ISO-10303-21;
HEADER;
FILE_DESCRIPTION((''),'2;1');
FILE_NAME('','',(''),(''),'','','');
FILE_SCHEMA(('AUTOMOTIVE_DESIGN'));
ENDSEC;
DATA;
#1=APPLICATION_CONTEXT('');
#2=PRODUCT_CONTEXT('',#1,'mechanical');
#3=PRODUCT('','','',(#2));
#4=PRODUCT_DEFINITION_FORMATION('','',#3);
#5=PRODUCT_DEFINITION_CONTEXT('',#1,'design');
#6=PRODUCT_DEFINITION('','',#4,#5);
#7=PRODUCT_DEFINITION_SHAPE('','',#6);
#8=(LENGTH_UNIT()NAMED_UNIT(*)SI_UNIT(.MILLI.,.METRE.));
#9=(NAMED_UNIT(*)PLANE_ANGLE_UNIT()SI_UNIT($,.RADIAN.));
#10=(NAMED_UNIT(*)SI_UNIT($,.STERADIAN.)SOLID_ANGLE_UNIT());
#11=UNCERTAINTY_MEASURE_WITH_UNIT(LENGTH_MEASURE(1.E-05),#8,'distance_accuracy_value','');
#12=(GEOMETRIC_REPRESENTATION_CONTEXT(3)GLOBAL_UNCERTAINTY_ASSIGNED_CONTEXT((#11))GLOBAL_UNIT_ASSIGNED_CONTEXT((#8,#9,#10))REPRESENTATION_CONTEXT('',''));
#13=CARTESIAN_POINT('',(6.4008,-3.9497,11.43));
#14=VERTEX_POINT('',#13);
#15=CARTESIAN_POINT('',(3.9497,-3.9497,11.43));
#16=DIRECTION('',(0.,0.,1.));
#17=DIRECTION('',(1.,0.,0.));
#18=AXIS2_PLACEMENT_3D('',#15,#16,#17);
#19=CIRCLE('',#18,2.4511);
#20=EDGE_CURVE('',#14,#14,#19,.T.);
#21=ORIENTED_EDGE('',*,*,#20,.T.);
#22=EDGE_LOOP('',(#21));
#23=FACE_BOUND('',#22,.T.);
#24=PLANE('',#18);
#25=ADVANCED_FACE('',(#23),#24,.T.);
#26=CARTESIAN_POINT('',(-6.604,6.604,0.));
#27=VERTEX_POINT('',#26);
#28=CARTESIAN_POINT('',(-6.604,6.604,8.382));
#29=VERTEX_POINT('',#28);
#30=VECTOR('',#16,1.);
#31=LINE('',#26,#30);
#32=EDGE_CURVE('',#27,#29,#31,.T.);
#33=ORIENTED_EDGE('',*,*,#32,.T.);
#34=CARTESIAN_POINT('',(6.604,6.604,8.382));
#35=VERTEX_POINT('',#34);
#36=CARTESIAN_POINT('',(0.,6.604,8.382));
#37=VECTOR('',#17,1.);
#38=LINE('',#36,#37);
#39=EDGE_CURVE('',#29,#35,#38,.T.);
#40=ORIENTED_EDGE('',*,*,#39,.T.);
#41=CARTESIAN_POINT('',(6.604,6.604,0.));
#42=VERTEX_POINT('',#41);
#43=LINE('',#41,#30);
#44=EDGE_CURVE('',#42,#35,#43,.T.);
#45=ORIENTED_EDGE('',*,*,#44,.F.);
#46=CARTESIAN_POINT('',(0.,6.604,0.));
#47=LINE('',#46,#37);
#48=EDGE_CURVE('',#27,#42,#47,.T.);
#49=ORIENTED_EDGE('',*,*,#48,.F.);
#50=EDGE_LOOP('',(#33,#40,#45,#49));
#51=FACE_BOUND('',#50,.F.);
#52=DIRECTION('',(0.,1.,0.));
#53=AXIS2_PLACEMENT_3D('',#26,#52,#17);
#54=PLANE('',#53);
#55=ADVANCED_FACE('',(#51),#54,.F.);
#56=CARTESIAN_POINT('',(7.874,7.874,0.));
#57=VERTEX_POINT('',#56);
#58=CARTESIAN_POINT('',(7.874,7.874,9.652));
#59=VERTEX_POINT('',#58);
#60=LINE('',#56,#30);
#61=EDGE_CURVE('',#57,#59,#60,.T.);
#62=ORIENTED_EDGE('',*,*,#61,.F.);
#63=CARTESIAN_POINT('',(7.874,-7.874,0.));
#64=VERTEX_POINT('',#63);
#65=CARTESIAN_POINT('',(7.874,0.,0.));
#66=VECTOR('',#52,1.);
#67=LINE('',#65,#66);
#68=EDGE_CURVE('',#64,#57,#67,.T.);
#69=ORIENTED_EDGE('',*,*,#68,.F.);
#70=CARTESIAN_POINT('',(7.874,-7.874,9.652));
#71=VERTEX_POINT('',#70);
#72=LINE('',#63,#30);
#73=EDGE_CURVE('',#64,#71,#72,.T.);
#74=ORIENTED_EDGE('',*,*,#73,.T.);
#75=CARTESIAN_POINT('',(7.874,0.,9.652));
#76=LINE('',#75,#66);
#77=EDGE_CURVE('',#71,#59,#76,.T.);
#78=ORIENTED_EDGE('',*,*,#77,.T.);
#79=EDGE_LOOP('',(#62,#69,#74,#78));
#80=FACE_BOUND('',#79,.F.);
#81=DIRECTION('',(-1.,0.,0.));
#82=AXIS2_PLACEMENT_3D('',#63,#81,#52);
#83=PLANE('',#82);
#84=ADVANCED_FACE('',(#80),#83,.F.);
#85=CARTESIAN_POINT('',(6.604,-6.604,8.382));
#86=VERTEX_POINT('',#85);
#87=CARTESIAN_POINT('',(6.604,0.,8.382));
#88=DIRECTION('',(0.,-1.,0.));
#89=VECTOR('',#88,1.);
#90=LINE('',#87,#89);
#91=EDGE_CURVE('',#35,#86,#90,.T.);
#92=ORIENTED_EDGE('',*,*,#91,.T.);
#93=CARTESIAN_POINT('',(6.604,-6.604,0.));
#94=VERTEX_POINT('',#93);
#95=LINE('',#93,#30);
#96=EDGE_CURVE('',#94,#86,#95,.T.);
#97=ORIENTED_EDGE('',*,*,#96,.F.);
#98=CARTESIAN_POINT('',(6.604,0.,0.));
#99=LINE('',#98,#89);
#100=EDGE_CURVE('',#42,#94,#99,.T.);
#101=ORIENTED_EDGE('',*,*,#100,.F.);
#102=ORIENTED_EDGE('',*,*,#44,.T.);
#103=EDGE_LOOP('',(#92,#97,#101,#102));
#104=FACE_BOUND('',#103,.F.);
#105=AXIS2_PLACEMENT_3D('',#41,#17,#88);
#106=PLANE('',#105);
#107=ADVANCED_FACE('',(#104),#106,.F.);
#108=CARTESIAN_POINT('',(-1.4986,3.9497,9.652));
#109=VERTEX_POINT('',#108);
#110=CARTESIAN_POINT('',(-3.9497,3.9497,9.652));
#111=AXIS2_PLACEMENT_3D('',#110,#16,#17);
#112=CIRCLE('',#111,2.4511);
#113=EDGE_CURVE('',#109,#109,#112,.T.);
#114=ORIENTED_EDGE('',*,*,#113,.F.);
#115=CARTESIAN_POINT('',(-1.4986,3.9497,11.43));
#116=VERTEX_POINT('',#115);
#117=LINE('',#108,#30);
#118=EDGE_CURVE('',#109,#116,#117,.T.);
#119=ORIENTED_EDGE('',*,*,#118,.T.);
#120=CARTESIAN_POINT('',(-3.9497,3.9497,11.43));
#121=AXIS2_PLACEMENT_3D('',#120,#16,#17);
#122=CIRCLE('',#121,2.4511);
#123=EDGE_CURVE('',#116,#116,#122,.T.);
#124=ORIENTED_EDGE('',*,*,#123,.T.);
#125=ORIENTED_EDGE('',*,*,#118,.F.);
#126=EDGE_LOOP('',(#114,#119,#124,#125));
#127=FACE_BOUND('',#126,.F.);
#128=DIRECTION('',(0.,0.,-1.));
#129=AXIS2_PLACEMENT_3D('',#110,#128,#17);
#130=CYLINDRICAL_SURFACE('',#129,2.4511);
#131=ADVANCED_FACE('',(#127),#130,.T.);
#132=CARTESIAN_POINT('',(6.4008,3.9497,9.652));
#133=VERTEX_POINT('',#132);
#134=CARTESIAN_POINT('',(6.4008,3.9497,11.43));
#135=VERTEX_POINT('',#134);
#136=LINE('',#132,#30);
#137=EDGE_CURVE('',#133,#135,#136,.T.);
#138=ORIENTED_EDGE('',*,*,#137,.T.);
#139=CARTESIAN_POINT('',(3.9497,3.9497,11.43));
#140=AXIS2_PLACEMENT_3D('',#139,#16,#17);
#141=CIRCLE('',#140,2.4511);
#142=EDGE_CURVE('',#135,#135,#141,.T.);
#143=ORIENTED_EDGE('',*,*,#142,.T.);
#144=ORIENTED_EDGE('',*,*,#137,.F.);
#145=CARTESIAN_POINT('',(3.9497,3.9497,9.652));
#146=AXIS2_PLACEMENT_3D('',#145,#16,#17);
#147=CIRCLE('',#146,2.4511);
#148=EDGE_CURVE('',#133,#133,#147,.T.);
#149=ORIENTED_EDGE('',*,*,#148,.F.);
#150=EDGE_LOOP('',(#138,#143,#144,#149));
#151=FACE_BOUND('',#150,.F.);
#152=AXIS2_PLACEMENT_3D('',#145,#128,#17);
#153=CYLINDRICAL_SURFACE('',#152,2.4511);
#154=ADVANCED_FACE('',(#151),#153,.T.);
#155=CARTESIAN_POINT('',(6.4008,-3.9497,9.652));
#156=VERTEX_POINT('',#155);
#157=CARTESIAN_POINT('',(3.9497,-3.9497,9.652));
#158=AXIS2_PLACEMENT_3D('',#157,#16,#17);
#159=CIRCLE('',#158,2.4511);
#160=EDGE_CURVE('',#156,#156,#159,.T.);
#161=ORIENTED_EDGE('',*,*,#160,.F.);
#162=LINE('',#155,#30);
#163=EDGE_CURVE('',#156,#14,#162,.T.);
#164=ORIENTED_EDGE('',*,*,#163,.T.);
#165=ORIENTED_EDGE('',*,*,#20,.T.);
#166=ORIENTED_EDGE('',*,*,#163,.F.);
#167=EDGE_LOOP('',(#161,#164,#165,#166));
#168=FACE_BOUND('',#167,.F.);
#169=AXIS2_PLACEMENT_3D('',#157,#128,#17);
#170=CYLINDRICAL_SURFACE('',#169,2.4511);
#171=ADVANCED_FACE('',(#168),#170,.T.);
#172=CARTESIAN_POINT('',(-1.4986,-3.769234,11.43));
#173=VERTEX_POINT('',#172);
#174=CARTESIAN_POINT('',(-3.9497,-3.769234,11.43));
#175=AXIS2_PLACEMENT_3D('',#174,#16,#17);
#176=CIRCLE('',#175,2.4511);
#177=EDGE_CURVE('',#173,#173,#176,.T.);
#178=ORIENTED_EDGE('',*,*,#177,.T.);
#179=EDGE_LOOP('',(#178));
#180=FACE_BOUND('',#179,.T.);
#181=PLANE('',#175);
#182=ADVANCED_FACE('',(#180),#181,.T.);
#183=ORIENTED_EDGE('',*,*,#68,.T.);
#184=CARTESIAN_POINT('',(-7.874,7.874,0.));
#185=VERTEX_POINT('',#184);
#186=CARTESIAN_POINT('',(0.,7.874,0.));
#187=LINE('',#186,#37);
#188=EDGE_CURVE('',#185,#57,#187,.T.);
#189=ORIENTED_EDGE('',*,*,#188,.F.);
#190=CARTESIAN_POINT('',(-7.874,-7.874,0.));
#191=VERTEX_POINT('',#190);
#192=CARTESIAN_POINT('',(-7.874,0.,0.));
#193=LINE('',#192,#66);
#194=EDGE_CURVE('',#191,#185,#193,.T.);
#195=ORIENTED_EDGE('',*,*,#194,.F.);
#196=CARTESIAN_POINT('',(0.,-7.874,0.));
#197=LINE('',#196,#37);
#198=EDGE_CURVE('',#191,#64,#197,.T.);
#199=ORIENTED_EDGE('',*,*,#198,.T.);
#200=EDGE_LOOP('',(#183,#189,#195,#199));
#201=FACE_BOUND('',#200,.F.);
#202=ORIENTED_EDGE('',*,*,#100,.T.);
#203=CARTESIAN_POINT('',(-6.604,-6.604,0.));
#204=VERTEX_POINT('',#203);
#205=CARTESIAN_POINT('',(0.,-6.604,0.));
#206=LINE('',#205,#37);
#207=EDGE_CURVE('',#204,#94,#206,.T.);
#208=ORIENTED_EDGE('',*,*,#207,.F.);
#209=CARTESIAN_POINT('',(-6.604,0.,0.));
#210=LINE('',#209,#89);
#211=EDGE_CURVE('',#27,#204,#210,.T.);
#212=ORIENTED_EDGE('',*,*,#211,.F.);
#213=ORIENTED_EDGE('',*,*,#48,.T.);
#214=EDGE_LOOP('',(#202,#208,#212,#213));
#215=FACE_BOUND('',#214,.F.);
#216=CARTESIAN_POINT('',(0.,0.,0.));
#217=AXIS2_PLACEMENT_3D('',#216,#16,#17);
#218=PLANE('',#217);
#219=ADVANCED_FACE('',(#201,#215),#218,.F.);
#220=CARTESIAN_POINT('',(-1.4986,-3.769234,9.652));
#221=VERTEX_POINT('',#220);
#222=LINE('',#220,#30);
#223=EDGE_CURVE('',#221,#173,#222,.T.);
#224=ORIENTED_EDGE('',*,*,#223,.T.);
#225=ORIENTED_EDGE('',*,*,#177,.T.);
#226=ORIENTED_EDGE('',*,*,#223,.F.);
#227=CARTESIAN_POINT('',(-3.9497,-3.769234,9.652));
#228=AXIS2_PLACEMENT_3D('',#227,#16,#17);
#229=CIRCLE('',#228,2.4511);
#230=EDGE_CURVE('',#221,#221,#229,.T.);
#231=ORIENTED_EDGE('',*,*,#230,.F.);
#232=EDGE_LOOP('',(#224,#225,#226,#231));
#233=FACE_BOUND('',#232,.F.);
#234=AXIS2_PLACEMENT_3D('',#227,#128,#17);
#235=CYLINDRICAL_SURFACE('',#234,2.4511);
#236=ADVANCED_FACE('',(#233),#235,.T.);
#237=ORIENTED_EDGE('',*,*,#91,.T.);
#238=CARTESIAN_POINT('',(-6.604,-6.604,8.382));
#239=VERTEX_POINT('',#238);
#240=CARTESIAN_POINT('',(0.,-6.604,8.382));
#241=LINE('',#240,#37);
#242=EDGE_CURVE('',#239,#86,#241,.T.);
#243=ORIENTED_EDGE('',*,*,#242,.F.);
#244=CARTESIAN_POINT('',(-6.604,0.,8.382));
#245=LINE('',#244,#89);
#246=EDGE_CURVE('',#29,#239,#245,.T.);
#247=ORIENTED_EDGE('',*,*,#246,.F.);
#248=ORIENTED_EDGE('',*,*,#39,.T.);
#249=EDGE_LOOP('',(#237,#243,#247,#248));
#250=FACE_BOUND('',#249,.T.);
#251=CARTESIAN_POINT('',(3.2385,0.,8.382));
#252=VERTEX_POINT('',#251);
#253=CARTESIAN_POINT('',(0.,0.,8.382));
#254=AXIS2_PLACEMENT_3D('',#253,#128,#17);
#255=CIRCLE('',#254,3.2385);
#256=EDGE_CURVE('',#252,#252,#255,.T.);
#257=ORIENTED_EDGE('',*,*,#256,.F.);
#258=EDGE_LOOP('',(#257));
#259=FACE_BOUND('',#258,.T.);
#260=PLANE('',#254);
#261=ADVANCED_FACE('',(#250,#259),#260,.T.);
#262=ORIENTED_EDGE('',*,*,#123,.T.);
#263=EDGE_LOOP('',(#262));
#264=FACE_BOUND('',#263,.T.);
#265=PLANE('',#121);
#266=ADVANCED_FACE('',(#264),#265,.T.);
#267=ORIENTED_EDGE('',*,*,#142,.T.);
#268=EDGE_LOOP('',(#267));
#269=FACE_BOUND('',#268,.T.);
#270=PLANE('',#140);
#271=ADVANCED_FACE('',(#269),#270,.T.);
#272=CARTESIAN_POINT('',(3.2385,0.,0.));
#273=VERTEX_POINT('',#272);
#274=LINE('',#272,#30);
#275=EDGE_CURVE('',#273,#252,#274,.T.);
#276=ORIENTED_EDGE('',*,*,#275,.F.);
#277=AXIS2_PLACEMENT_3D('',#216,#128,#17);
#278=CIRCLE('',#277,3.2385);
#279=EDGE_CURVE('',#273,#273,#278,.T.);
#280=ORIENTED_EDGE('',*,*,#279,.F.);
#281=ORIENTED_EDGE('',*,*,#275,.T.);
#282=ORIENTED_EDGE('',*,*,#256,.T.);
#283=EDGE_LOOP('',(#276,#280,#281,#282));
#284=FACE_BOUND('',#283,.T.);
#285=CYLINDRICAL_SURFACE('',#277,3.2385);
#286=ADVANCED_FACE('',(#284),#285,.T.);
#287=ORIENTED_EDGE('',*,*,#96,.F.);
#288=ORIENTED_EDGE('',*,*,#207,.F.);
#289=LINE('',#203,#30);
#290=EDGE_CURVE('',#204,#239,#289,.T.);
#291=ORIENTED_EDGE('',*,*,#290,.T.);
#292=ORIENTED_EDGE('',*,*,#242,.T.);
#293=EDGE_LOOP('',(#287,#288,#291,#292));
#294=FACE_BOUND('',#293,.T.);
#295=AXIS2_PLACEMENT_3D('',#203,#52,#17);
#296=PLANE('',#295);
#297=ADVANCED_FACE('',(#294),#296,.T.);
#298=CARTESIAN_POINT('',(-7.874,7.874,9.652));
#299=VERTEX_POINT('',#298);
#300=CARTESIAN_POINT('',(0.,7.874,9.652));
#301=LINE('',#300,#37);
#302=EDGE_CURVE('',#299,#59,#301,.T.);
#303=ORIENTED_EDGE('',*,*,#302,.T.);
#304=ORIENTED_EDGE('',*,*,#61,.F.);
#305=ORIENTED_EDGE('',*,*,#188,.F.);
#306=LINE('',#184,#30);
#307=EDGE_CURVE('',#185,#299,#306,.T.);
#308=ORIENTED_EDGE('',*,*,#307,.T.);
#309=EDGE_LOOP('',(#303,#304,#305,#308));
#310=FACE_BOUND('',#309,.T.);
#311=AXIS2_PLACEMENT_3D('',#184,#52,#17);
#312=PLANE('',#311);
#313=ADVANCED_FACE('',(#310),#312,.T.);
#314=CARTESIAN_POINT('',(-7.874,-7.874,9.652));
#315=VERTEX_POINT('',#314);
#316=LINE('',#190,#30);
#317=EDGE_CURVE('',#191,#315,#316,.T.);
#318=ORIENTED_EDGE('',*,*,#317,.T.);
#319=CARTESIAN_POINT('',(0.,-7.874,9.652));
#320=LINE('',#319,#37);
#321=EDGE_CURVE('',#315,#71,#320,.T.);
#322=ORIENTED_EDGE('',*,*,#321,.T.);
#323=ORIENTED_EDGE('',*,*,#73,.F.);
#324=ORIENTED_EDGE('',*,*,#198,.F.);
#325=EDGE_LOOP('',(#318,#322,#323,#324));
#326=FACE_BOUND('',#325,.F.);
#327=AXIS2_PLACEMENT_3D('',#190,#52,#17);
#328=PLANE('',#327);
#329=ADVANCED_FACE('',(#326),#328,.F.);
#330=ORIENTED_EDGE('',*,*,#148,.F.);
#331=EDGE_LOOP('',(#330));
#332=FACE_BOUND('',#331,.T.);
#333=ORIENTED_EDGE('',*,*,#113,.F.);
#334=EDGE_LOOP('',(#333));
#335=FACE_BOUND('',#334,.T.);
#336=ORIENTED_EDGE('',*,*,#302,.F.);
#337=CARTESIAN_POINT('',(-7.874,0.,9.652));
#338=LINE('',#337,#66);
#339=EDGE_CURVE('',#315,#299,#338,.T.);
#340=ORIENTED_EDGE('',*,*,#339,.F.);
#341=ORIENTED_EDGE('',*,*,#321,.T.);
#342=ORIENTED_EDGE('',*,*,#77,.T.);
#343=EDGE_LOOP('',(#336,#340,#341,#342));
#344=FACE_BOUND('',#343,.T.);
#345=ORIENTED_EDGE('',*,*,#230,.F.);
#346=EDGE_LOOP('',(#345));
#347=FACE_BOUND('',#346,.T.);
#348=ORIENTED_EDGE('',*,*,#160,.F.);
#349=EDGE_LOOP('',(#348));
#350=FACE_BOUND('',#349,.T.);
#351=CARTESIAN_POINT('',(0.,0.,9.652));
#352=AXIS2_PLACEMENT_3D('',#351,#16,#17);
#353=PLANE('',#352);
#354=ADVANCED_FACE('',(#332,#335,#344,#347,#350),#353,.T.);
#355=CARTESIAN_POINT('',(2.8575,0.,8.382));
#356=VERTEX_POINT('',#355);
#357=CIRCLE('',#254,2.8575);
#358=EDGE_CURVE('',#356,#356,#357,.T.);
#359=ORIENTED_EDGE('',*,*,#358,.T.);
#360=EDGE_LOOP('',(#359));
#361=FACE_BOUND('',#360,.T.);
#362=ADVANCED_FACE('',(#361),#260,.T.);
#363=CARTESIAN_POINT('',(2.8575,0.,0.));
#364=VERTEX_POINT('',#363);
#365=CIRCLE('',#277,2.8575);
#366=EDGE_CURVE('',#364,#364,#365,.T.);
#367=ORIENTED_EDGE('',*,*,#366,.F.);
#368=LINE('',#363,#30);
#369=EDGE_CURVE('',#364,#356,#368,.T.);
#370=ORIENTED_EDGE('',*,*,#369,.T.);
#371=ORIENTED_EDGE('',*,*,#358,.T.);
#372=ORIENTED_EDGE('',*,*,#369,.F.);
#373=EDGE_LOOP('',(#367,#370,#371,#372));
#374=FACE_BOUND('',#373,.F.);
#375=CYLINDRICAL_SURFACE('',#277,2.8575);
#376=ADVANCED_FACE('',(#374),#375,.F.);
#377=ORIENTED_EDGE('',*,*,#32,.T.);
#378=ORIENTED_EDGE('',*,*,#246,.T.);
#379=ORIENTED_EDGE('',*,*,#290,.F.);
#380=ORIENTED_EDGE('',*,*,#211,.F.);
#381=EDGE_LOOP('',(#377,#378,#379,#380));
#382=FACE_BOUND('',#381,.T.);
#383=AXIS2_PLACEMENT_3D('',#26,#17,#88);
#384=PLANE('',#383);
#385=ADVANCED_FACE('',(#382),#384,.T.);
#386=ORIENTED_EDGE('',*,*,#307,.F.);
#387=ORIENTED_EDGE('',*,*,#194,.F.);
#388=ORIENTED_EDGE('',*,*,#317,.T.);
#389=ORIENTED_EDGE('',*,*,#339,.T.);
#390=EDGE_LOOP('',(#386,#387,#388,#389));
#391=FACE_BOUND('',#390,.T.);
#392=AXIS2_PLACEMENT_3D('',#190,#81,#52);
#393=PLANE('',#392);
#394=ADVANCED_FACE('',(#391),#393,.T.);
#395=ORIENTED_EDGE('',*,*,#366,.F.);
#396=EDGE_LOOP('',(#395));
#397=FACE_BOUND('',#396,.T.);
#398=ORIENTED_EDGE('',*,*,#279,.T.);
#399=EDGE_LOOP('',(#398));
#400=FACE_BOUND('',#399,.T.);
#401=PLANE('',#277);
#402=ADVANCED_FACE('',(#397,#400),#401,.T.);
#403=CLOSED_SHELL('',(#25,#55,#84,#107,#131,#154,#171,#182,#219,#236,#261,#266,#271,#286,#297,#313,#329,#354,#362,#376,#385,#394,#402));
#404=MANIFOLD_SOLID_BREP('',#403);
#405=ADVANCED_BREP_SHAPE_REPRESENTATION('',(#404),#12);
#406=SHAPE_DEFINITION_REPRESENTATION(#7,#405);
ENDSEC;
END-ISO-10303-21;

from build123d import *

# Parameters (mm, degrees)
F0_W     = 15.748
F0_H     = 15.748
F1_DEPTH = 9.652
F2_R     = 2.4511
F3_DEPTH = 1.778
F4_W     = 13.208
F4_H     = 13.208
F6_DEPTH = 8.382
F5_R     = 3.2385
F5_R_2   = 2.8575
F7_DEPTH = 8.382


with BuildPart() as f1:
    # F0 (on Top) → F1 (new body)
    with BuildSketch(Plane.XY):
        Rectangle(F0_W, F0_H)
    extrude(amount=F1_DEPTH)

    # F2 (on face) → F3 (join)
    with BuildSketch(Plane.XY.offset(9.652)):
        with Locations((-3.9497, 3.9497)):
            Circle(F2_R)
        with Locations((3.9497, 3.9497)):
            Circle(F2_R)
        with Locations((-3.9497, -3.769234)):
            Circle(F2_R)
        with Locations((3.9497, -3.9497)):
            Circle(F2_R)
    extrude(amount=F3_DEPTH)

    # F4 (on face) → F6 (cut)
    with BuildSketch(Plane(origin=(0, 0, 0), x_dir=(1, 0, 0), z_dir=(0, 0, -1))):
        Rectangle(F4_W, F4_H)
    extrude(amount=-F6_DEPTH, mode=Mode.SUBTRACT)

    # F5 (on face) → F7 (join)
    with BuildSketch(Plane(origin=(0, 0, 0), x_dir=(1, 0, 0), z_dir=(0, 0, -1))):
        Circle(F5_R)
        Circle(F5_R_2, mode=Mode.SUBTRACT)
    extrude(amount=-F7_DEPTH)


solid = f1.part
